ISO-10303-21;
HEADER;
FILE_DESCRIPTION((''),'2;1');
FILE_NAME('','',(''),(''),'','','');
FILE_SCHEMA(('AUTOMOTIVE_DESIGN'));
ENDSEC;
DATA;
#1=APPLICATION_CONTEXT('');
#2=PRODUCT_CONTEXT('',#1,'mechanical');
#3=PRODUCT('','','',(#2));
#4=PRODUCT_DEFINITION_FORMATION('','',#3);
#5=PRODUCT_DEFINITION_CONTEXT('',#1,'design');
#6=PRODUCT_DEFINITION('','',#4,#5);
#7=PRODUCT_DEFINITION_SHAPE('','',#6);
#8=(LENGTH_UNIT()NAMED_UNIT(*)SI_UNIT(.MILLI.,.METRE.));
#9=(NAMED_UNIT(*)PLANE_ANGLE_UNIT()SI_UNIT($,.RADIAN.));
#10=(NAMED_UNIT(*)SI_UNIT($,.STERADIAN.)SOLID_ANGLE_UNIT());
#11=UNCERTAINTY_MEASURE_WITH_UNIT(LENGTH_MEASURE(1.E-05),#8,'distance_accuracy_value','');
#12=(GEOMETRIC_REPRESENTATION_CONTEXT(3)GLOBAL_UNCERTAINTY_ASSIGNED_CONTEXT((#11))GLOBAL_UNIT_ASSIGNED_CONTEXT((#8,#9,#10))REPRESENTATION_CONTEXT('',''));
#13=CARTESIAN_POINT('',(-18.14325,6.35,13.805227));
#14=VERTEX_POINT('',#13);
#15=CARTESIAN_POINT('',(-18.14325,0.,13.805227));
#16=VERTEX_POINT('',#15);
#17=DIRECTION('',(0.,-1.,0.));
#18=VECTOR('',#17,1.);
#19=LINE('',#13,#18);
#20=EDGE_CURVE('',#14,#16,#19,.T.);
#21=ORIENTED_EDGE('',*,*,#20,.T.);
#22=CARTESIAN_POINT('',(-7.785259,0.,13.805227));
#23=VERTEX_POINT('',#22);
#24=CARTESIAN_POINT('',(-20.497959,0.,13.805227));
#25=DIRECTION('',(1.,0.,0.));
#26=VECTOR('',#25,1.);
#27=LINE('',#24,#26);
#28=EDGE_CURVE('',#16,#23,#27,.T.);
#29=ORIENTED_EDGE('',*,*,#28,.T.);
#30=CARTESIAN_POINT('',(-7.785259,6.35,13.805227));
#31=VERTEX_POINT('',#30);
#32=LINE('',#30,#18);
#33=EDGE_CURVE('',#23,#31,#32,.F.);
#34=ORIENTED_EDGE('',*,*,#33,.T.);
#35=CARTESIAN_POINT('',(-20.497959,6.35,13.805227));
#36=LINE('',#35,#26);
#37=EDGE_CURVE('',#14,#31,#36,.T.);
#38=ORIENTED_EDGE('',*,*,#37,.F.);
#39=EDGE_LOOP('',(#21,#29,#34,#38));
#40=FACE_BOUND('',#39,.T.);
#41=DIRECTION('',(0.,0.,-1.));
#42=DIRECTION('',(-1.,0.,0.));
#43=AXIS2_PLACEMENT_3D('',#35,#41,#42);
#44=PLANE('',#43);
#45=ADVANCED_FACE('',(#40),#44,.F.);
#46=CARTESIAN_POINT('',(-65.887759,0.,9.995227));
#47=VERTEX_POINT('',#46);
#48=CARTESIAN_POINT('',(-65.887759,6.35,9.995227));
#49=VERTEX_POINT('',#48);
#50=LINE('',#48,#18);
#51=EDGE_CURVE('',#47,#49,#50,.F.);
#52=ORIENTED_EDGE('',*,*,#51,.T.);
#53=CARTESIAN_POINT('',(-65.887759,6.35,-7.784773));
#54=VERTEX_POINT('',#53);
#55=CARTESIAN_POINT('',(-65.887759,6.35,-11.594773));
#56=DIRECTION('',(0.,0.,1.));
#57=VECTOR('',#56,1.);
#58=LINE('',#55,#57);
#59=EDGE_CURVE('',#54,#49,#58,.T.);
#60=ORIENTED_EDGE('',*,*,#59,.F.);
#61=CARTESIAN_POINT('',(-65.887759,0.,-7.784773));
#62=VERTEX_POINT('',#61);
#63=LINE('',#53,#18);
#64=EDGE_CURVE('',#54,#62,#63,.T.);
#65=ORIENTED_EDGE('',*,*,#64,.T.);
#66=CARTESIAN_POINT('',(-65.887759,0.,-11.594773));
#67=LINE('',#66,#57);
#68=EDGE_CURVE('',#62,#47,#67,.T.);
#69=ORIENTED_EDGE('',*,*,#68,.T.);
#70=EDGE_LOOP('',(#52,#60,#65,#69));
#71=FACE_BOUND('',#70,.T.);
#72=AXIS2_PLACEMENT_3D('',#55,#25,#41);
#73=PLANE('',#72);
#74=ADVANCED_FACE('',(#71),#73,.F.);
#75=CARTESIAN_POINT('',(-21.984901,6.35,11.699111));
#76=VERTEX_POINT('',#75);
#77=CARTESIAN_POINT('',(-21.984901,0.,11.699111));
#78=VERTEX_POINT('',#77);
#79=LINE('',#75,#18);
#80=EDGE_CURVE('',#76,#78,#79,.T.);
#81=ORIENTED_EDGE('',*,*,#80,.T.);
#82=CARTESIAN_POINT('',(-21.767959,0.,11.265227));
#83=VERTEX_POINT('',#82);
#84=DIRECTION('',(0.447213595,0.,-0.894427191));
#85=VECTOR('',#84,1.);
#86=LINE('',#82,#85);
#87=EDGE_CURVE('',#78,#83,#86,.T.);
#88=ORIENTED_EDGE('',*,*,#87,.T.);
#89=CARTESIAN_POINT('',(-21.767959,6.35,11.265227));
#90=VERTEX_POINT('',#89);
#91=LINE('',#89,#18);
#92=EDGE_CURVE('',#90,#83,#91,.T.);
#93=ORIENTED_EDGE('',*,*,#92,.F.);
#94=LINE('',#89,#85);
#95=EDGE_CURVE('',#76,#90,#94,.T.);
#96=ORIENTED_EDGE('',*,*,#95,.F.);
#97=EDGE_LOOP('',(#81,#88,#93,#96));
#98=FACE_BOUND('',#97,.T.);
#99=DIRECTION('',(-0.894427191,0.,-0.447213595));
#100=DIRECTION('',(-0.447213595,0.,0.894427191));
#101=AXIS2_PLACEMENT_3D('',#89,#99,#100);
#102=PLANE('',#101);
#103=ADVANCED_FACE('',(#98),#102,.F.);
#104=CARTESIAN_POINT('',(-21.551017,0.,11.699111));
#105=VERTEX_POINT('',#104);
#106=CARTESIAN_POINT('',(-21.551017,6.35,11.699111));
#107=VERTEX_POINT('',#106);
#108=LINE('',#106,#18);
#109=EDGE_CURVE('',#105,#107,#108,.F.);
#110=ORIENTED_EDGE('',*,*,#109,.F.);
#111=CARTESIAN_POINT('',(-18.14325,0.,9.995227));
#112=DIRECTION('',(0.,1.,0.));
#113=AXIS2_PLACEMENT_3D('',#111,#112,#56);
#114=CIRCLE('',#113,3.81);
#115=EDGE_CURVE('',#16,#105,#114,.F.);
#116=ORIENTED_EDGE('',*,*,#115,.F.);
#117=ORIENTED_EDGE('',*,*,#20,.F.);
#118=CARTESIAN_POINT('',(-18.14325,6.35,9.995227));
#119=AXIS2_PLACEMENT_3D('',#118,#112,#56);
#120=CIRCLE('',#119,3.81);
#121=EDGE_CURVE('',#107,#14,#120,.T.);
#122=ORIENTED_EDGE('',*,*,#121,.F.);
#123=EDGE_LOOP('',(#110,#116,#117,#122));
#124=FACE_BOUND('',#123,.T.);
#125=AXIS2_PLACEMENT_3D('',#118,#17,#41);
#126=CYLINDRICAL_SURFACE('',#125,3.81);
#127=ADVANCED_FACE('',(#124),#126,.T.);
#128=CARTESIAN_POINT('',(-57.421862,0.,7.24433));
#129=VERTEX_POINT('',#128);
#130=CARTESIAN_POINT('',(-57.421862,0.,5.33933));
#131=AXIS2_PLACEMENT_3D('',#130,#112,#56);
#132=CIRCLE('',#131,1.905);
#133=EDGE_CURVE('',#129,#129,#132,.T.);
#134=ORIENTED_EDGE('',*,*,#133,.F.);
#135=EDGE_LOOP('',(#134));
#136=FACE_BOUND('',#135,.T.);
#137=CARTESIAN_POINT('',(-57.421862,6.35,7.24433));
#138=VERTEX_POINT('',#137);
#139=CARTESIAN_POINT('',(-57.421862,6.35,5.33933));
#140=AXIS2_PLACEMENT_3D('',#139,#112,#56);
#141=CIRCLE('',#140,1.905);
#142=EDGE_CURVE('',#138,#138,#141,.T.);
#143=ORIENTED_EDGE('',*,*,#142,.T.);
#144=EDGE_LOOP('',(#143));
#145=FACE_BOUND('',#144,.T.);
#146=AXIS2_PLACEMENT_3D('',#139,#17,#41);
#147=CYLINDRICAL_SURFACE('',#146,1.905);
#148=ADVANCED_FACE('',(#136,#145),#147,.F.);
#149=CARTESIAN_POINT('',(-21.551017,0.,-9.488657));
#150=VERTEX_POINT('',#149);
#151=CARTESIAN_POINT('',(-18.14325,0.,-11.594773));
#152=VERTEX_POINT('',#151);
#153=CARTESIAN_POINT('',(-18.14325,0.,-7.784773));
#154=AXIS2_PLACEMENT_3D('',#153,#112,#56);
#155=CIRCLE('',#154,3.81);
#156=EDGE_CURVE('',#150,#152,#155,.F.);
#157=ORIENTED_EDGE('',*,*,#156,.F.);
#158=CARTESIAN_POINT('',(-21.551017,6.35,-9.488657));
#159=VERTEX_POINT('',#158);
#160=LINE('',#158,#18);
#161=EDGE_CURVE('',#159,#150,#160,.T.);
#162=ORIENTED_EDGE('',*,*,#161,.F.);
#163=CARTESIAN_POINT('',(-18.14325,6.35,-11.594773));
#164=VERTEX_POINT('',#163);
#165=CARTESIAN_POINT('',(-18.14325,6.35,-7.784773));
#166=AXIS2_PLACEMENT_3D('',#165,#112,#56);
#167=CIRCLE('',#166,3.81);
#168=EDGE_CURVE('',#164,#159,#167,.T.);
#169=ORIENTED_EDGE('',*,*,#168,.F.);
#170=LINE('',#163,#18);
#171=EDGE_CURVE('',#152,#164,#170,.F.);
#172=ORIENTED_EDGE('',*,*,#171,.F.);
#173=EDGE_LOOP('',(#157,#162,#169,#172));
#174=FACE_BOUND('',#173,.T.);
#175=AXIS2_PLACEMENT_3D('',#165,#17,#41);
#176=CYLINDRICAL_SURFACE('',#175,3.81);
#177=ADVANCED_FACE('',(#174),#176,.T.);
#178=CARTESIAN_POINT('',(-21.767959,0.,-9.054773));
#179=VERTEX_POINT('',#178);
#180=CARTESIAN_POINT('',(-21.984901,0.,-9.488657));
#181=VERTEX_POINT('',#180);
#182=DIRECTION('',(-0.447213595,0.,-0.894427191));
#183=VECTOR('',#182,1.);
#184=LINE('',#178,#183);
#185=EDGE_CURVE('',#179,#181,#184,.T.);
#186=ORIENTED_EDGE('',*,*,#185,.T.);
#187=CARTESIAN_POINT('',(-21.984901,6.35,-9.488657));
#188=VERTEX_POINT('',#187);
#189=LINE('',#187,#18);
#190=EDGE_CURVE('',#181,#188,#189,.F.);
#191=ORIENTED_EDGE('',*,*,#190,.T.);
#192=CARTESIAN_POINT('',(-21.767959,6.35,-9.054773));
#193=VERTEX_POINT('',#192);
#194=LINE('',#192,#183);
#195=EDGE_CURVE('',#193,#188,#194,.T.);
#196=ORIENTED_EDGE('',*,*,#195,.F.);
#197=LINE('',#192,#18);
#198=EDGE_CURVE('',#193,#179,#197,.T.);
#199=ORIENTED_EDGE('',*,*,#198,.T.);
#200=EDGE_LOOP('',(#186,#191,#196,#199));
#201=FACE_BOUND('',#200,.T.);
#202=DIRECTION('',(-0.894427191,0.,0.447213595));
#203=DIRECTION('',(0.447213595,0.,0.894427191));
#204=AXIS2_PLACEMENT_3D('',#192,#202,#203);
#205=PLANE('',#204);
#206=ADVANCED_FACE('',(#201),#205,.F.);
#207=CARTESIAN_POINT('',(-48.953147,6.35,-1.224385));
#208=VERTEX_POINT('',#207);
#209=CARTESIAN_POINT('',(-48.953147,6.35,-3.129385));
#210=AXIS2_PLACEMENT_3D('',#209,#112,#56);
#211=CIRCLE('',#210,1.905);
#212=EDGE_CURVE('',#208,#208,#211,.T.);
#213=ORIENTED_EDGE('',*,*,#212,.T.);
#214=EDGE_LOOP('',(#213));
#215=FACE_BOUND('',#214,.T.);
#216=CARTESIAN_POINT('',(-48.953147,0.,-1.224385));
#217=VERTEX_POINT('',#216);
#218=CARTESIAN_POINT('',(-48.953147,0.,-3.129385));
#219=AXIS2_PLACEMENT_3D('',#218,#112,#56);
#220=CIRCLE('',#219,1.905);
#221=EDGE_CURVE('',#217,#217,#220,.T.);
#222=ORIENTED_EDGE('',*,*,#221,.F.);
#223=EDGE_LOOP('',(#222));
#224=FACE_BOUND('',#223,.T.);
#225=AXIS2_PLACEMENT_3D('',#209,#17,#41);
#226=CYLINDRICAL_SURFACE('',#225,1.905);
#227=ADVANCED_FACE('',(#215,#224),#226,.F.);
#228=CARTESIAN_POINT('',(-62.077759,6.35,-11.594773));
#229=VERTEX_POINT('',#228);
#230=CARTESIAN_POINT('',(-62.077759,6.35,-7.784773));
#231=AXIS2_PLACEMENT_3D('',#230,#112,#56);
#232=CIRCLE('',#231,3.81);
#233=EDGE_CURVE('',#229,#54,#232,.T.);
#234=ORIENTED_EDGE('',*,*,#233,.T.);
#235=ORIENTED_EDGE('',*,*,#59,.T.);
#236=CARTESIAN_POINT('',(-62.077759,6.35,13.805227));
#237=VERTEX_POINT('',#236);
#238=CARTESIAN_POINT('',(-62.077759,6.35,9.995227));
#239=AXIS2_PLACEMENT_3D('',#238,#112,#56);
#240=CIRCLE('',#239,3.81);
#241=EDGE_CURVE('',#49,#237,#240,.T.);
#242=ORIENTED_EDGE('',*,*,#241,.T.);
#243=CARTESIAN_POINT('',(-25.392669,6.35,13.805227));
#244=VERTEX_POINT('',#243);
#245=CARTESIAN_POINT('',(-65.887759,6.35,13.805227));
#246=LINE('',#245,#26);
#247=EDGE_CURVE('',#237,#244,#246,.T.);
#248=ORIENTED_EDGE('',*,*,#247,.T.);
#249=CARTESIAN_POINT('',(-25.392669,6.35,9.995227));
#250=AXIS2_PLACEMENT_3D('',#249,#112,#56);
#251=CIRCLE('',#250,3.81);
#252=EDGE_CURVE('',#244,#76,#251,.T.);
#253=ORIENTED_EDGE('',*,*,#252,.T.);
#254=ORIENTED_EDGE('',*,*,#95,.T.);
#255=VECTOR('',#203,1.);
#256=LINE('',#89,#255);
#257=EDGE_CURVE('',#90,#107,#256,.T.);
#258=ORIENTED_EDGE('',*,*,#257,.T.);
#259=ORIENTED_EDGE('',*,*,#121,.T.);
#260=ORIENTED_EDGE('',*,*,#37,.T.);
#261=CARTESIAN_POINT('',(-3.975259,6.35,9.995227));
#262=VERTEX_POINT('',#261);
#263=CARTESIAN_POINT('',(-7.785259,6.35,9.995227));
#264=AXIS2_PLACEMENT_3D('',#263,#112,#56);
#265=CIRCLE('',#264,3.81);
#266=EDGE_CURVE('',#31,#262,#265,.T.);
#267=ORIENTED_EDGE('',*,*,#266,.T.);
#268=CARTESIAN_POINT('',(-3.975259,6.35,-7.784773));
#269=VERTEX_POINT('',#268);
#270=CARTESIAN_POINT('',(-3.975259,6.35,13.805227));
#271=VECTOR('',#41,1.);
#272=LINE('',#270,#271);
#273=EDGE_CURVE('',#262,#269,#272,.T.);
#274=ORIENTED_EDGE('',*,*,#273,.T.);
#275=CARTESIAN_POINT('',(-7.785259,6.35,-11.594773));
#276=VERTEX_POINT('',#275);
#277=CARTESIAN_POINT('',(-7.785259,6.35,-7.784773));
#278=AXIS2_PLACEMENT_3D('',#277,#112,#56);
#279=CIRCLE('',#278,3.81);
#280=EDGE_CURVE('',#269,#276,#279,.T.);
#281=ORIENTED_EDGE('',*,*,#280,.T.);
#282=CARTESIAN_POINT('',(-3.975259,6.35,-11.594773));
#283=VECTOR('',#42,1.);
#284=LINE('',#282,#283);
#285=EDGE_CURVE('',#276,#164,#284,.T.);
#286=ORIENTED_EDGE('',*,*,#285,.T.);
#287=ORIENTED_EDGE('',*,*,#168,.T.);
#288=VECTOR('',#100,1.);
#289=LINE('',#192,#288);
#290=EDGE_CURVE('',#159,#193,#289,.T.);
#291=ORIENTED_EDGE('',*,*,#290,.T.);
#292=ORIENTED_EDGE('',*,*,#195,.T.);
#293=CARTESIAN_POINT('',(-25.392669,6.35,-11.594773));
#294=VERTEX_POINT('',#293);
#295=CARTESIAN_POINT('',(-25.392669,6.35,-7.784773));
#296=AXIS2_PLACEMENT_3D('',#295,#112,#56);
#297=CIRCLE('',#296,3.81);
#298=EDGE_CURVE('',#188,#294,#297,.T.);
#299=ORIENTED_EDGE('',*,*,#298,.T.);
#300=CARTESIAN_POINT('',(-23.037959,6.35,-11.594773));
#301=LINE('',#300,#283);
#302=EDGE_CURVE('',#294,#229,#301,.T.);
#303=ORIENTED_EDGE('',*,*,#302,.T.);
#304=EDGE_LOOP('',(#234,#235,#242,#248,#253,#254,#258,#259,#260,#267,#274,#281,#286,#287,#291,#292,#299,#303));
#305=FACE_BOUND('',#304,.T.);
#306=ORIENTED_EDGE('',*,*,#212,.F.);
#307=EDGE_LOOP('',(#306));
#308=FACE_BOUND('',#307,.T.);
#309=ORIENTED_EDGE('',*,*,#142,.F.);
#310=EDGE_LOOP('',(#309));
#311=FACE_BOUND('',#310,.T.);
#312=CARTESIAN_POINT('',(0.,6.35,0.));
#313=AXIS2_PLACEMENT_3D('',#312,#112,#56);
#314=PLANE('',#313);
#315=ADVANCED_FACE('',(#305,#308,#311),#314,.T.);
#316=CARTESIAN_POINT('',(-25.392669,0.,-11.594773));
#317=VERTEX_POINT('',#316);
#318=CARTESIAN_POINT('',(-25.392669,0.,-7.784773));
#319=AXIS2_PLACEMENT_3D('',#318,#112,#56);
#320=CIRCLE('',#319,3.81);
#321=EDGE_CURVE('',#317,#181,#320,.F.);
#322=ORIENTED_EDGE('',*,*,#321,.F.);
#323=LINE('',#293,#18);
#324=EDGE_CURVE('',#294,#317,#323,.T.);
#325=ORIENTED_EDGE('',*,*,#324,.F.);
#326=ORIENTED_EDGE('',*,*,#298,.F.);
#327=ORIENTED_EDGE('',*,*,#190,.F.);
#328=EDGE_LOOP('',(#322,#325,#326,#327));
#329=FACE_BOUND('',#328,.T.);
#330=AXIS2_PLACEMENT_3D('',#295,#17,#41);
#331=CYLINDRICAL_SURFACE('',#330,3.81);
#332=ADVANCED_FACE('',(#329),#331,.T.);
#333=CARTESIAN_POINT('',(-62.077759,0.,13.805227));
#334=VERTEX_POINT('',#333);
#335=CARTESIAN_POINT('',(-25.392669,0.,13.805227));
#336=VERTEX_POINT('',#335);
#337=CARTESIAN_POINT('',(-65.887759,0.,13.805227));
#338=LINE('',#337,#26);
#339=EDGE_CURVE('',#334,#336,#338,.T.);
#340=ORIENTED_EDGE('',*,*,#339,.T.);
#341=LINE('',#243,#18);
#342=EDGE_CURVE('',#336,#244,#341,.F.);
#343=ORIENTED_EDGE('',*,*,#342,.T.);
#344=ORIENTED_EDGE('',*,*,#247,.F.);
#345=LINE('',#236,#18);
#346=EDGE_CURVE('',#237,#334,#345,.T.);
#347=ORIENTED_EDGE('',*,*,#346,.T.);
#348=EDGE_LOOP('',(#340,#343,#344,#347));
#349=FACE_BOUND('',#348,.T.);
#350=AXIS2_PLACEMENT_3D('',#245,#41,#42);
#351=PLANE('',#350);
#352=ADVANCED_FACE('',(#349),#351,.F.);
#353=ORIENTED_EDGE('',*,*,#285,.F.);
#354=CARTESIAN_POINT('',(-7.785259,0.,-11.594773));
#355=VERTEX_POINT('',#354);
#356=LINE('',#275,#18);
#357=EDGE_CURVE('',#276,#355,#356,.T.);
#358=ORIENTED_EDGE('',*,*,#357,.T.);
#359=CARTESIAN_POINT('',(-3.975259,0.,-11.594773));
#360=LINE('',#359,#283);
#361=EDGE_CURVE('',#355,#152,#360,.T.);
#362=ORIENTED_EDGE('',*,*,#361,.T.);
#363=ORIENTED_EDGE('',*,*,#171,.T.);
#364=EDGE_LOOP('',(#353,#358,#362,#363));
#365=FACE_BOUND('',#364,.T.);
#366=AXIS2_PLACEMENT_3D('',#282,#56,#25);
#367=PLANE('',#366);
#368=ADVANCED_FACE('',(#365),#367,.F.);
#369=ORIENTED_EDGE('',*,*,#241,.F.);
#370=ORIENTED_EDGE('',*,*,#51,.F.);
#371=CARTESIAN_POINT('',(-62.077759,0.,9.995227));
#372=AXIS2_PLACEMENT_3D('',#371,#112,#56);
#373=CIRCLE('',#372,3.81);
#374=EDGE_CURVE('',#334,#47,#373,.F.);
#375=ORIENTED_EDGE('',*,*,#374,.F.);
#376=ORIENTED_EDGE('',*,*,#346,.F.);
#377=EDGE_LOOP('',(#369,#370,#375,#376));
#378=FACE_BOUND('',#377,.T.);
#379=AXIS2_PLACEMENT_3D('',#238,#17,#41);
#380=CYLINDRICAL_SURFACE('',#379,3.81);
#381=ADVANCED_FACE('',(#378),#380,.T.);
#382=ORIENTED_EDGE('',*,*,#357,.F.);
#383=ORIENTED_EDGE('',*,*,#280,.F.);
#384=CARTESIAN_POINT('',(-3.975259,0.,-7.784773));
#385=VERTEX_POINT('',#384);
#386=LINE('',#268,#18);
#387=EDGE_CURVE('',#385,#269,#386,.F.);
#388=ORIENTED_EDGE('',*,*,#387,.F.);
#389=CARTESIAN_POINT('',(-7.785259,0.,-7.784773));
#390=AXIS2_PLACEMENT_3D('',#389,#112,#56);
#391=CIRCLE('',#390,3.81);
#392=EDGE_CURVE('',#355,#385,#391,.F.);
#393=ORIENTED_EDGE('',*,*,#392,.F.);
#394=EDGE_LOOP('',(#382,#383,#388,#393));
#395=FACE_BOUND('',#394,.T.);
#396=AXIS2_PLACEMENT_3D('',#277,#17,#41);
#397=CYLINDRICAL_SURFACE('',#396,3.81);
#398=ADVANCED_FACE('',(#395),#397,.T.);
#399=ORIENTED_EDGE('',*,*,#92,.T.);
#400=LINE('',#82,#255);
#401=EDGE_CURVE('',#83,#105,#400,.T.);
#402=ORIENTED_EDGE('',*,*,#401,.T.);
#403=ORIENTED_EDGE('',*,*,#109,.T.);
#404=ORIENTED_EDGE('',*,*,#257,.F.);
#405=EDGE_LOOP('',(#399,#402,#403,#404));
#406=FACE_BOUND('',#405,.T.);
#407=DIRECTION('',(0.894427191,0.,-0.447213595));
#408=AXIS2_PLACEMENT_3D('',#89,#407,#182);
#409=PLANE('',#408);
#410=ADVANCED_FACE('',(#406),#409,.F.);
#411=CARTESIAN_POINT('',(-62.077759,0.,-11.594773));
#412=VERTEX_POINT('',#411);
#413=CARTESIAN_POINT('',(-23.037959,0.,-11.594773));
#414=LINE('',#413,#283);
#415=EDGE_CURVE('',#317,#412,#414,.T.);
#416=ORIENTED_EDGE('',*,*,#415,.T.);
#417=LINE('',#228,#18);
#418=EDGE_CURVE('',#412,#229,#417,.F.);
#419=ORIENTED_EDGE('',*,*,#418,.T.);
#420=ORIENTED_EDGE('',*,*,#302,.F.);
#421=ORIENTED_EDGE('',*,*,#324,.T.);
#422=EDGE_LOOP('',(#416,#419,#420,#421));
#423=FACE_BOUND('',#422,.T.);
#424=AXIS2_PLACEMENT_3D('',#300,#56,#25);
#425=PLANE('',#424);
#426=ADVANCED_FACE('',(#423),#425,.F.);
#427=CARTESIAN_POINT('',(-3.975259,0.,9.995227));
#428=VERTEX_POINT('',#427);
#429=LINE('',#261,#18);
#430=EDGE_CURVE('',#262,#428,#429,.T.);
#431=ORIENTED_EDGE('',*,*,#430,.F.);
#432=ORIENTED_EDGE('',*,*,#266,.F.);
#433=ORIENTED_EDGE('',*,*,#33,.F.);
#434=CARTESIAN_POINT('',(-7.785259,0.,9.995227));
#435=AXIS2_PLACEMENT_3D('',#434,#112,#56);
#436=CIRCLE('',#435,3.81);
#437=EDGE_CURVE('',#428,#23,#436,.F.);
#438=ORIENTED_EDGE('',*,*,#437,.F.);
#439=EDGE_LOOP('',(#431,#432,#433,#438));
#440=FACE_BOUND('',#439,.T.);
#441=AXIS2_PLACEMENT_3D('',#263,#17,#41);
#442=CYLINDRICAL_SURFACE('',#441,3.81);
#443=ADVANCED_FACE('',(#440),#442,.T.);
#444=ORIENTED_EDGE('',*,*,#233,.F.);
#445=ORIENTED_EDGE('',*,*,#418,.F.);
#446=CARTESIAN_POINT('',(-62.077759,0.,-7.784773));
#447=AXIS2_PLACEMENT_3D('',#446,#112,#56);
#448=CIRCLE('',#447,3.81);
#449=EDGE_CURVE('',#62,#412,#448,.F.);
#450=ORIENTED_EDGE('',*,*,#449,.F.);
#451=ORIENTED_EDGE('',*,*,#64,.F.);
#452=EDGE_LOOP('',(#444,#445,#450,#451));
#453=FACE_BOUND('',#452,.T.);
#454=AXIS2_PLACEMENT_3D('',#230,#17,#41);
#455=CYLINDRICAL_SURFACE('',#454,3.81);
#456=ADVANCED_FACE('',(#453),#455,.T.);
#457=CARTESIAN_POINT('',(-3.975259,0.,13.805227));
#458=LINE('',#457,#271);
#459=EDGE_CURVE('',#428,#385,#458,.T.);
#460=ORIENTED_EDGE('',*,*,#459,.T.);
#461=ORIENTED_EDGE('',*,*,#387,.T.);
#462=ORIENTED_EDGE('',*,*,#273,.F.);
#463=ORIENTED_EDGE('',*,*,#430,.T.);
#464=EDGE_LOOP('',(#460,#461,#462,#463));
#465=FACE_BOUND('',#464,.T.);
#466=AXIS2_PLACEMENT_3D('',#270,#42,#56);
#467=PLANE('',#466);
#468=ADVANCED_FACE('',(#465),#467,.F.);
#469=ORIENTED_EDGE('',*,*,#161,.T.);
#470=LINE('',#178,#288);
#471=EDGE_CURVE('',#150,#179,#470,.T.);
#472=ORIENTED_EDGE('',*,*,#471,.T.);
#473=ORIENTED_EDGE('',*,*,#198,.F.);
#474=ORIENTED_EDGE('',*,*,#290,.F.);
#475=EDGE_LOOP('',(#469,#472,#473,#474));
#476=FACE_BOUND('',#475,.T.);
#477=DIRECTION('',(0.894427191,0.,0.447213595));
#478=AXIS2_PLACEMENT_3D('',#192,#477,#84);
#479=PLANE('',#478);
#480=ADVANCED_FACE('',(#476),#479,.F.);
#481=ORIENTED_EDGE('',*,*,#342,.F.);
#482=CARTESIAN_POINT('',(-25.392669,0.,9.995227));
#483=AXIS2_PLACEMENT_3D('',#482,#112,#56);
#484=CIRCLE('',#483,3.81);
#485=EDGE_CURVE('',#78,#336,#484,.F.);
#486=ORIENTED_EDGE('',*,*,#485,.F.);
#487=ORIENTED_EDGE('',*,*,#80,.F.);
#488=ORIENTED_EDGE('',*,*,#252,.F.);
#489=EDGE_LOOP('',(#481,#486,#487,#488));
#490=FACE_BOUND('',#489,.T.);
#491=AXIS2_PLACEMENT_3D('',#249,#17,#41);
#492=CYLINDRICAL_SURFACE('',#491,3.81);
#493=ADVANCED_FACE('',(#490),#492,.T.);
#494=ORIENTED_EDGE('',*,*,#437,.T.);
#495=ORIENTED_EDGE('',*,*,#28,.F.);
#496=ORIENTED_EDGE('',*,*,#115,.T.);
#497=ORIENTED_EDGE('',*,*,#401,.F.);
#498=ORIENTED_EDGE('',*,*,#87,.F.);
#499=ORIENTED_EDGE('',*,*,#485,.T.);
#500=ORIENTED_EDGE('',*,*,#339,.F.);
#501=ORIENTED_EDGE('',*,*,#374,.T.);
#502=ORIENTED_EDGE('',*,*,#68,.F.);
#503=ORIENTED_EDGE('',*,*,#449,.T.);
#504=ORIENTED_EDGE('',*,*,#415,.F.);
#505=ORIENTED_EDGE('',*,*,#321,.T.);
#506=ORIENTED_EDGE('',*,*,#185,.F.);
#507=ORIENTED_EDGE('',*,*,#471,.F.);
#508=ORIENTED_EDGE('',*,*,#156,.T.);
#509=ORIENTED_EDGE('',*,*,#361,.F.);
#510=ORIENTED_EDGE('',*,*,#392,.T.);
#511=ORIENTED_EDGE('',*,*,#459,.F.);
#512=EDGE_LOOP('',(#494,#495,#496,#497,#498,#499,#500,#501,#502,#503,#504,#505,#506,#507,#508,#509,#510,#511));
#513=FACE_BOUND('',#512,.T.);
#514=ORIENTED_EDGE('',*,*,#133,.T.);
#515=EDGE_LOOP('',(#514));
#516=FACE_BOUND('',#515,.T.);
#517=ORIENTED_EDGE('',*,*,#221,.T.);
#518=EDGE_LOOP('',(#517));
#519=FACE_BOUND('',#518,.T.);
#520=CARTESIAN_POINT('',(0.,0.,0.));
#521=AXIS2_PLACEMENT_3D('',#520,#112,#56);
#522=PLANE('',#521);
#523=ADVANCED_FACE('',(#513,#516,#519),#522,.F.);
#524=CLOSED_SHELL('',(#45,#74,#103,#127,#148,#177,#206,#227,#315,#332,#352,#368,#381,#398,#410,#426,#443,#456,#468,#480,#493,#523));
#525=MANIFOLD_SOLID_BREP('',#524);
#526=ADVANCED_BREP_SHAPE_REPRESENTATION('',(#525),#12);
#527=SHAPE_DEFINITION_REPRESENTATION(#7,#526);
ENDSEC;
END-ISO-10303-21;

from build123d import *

# Parameters (mm, degrees)
SKETCH1_R           = 1.905
BOSS_EXTRUDE3_DEPTH = 6.35
FILLET4_R           = 3.81


with BuildPart() as part:
    # Sketch1 → Boss-Extrude3 (new body)
    with BuildSketch(Plane(origin=(0, 0, 0), x_dir=(1, 0, 0), z_dir=(0, 1, 0))):
        Polygon((-65.88775931, 11.594773286), (-65.88775931, -13.805226714), (-23.03795931, -13.805226714), (-21.76795931, -11.265226714), (-20.49795931, -13.805226714), (-3.97525931, -13.805226714), (-3.97525931, 11.594773286), (-20.49795931, 11.594773286), (-21.76795931, 9.054773286), (-23.03795931, 11.594773286), align=None)
        with Locations(Location((-57.421862263, -5.339329667, 0), (0, 0, 270))):
            Circle(SKETCH1_R, mode=Mode.SUBTRACT)
        with Locations(Location((-48.953147413, 3.129385183, 0), (0, 0, 270))):
            Circle(SKETCH1_R, mode=Mode.SUBTRACT)
    extrude(amount=BOSS_EXTRUDE3_DEPTH)

    # Fillet4
    fillet4_edges = [part.edges().sort_by_distance(p)[0] for p in [
        (-23.03795931, 3.175, -11.594773286),
        (-20.49795931, 3.175, -11.594773286),
        (-3.97525931, 3.175, -11.594773286),
        (-3.97525931, 3.175, 13.805226714),
        (-20.49795931, 3.175, 13.805226714),
        (-23.03795931, 3.175, 13.805226714),
        (-65.88775931, 3.175, 13.805226714),
        (-65.88775931, 3.175, -11.594773286),
    ]]
    fillet(fillet4_edges, radius=FILLET4_R)


solid = part.part
